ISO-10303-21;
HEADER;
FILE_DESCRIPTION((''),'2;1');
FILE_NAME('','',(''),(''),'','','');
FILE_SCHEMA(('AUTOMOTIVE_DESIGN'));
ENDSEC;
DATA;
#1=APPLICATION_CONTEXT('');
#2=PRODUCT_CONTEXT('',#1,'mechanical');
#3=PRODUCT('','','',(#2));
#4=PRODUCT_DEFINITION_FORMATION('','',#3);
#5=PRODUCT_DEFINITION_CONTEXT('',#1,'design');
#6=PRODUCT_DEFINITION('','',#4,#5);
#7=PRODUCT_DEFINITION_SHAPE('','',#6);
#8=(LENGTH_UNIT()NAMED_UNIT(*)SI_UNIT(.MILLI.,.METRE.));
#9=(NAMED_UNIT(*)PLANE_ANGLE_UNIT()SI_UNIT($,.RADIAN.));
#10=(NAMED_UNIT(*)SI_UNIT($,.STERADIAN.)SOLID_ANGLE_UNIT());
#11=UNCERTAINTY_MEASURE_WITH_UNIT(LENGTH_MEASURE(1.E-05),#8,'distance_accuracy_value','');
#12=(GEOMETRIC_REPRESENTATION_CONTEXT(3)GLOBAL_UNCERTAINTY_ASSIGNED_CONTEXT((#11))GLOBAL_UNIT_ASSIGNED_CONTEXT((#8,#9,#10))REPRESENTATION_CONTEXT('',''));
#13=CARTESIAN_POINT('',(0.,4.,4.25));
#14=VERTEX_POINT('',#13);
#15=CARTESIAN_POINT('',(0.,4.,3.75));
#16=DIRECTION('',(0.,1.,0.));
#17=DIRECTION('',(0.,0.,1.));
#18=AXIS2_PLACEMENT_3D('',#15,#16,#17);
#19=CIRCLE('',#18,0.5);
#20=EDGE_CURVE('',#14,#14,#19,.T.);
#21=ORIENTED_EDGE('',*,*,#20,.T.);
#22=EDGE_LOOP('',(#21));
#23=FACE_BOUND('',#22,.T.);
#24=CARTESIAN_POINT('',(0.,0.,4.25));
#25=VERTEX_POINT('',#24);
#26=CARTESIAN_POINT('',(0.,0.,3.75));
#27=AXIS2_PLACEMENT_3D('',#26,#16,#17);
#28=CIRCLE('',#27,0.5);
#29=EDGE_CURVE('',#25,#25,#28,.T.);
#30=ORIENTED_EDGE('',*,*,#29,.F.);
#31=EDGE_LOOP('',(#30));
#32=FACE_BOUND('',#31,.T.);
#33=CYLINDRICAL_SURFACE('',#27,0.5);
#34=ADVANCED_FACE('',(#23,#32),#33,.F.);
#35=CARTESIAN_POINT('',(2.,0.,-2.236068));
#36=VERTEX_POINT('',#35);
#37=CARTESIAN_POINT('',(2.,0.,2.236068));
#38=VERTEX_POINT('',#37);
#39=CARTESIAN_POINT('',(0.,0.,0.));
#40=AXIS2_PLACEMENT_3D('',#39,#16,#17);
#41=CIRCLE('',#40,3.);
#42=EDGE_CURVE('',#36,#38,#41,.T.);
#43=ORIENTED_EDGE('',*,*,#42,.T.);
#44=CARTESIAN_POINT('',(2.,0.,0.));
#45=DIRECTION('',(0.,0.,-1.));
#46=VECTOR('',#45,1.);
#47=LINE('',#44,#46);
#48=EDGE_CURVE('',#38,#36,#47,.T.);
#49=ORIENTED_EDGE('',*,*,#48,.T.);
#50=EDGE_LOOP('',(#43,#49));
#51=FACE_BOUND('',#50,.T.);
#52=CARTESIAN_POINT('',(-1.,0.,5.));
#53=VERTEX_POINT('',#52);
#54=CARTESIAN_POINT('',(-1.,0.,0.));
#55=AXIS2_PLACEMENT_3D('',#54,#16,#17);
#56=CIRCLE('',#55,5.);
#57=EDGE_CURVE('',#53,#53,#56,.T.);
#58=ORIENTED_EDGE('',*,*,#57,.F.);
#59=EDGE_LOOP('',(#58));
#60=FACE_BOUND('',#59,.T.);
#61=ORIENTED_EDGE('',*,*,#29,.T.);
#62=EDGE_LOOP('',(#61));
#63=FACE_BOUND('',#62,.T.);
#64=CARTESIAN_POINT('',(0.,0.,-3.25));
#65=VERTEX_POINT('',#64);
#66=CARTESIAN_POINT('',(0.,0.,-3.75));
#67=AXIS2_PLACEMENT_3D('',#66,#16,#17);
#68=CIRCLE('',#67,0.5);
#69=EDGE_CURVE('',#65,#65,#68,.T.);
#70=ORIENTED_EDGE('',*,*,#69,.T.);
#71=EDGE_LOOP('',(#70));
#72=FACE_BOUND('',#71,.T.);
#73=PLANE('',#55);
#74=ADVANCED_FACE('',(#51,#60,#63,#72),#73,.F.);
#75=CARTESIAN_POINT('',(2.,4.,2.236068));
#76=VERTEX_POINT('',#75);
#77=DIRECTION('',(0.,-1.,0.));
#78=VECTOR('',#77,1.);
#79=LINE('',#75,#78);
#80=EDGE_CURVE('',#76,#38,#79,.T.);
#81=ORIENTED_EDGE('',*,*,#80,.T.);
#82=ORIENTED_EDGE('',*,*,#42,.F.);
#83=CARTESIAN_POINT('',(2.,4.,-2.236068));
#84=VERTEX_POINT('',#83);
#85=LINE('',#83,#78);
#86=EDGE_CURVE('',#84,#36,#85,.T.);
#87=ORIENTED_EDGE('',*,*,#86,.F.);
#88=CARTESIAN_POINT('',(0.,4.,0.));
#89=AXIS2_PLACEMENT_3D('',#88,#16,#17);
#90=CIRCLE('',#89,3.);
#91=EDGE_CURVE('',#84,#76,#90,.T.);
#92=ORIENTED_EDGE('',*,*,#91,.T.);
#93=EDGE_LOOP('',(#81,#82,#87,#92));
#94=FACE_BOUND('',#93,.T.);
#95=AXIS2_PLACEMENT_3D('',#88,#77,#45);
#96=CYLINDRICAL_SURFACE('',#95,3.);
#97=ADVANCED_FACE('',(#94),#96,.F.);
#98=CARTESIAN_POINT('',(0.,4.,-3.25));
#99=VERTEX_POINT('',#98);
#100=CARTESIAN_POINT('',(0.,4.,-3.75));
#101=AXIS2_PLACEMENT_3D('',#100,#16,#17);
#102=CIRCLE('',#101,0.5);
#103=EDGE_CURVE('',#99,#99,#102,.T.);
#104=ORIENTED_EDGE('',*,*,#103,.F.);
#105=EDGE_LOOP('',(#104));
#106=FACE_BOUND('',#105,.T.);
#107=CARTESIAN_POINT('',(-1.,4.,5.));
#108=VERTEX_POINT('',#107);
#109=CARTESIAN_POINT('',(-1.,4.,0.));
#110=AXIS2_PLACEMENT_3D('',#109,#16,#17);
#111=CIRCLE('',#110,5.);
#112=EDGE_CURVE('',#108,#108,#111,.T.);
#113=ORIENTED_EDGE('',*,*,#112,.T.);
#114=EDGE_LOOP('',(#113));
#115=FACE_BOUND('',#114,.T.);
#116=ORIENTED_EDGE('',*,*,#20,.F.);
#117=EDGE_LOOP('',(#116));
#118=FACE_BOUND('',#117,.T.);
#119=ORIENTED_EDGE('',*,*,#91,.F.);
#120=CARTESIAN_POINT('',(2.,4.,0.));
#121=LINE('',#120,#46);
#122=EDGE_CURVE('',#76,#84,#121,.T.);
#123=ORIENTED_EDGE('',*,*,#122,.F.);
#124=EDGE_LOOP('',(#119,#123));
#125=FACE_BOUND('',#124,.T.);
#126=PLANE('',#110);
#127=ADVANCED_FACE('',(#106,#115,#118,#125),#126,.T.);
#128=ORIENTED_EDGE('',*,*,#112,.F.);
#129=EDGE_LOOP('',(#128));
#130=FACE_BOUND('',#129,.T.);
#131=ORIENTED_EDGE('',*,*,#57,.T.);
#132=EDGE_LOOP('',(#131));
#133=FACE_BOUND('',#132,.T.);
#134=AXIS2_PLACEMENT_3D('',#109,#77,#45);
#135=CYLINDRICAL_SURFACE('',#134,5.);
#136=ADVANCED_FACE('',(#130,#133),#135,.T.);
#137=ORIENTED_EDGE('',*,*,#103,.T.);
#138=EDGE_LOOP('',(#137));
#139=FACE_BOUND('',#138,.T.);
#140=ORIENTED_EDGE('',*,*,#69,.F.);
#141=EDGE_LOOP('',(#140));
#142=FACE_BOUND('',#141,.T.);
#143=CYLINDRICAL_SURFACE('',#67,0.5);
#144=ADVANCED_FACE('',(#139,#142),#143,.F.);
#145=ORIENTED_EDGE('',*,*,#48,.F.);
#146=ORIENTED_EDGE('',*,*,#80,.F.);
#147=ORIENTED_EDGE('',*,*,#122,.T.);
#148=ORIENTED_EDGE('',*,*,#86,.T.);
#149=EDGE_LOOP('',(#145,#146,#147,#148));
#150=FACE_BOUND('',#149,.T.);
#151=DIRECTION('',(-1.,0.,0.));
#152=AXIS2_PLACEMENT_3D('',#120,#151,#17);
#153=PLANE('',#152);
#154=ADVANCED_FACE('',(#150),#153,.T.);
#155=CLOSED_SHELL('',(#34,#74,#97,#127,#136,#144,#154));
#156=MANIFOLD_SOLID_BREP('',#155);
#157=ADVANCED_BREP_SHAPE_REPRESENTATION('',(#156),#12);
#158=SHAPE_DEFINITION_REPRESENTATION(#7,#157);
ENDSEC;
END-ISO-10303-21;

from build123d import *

# Parameters (mm, degrees)
SKETCH1_R           = 5
SKETCH1_R_2         = 3
BOSS_EXTRUDE1_DEPTH = 4
SKETCH2_R           = 0.5
CUT_EXTRUDE1_DEPTH  = 5
BOSS_EXTRUDE2_DEPTH = 4


with BuildPart() as part:
    # Sketch1 → Boss-Extrude1 (new body)
    with BuildSketch(Plane(origin=(0, 0, 0), x_dir=(1, 0, 0), z_dir=(0, 1, 0))):
        with Locations((-1, 0)):
            Circle(SKETCH1_R)
        Circle(SKETCH1_R_2, mode=Mode.SUBTRACT)
    extrude(amount=BOSS_EXTRUDE1_DEPTH)

    # Sketch2 → Cut-Extrude1 (cut, through all)
    with BuildSketch(Plane(origin=(0, 4, 0), x_dir=(1, 0, 0), z_dir=(0, 1, 0))):
        with Locations((0, 3.75)):
            Circle(SKETCH2_R)
        with Locations((0, -3.75)):
            Circle(SKETCH2_R)
    extrude(amount=-CUT_EXTRUDE1_DEPTH, mode=Mode.SUBTRACT)

    # Sketch3 → Boss-Extrude2 (add)
    with BuildSketch(Plane.XZ):
        with BuildLine():
            ThreePointArc((3, 0), (2.738612788, 1.224744871), (2, 2.236067977))
            Line((2, 2.236067977), (2, -2.236067977))
            ThreePointArc((2, -2.236067977), (2.738612788, -1.224744871), (3, 0))
        make_face()
    extrude(amount=-BOSS_EXTRUDE2_DEPTH)


solid = part.part
